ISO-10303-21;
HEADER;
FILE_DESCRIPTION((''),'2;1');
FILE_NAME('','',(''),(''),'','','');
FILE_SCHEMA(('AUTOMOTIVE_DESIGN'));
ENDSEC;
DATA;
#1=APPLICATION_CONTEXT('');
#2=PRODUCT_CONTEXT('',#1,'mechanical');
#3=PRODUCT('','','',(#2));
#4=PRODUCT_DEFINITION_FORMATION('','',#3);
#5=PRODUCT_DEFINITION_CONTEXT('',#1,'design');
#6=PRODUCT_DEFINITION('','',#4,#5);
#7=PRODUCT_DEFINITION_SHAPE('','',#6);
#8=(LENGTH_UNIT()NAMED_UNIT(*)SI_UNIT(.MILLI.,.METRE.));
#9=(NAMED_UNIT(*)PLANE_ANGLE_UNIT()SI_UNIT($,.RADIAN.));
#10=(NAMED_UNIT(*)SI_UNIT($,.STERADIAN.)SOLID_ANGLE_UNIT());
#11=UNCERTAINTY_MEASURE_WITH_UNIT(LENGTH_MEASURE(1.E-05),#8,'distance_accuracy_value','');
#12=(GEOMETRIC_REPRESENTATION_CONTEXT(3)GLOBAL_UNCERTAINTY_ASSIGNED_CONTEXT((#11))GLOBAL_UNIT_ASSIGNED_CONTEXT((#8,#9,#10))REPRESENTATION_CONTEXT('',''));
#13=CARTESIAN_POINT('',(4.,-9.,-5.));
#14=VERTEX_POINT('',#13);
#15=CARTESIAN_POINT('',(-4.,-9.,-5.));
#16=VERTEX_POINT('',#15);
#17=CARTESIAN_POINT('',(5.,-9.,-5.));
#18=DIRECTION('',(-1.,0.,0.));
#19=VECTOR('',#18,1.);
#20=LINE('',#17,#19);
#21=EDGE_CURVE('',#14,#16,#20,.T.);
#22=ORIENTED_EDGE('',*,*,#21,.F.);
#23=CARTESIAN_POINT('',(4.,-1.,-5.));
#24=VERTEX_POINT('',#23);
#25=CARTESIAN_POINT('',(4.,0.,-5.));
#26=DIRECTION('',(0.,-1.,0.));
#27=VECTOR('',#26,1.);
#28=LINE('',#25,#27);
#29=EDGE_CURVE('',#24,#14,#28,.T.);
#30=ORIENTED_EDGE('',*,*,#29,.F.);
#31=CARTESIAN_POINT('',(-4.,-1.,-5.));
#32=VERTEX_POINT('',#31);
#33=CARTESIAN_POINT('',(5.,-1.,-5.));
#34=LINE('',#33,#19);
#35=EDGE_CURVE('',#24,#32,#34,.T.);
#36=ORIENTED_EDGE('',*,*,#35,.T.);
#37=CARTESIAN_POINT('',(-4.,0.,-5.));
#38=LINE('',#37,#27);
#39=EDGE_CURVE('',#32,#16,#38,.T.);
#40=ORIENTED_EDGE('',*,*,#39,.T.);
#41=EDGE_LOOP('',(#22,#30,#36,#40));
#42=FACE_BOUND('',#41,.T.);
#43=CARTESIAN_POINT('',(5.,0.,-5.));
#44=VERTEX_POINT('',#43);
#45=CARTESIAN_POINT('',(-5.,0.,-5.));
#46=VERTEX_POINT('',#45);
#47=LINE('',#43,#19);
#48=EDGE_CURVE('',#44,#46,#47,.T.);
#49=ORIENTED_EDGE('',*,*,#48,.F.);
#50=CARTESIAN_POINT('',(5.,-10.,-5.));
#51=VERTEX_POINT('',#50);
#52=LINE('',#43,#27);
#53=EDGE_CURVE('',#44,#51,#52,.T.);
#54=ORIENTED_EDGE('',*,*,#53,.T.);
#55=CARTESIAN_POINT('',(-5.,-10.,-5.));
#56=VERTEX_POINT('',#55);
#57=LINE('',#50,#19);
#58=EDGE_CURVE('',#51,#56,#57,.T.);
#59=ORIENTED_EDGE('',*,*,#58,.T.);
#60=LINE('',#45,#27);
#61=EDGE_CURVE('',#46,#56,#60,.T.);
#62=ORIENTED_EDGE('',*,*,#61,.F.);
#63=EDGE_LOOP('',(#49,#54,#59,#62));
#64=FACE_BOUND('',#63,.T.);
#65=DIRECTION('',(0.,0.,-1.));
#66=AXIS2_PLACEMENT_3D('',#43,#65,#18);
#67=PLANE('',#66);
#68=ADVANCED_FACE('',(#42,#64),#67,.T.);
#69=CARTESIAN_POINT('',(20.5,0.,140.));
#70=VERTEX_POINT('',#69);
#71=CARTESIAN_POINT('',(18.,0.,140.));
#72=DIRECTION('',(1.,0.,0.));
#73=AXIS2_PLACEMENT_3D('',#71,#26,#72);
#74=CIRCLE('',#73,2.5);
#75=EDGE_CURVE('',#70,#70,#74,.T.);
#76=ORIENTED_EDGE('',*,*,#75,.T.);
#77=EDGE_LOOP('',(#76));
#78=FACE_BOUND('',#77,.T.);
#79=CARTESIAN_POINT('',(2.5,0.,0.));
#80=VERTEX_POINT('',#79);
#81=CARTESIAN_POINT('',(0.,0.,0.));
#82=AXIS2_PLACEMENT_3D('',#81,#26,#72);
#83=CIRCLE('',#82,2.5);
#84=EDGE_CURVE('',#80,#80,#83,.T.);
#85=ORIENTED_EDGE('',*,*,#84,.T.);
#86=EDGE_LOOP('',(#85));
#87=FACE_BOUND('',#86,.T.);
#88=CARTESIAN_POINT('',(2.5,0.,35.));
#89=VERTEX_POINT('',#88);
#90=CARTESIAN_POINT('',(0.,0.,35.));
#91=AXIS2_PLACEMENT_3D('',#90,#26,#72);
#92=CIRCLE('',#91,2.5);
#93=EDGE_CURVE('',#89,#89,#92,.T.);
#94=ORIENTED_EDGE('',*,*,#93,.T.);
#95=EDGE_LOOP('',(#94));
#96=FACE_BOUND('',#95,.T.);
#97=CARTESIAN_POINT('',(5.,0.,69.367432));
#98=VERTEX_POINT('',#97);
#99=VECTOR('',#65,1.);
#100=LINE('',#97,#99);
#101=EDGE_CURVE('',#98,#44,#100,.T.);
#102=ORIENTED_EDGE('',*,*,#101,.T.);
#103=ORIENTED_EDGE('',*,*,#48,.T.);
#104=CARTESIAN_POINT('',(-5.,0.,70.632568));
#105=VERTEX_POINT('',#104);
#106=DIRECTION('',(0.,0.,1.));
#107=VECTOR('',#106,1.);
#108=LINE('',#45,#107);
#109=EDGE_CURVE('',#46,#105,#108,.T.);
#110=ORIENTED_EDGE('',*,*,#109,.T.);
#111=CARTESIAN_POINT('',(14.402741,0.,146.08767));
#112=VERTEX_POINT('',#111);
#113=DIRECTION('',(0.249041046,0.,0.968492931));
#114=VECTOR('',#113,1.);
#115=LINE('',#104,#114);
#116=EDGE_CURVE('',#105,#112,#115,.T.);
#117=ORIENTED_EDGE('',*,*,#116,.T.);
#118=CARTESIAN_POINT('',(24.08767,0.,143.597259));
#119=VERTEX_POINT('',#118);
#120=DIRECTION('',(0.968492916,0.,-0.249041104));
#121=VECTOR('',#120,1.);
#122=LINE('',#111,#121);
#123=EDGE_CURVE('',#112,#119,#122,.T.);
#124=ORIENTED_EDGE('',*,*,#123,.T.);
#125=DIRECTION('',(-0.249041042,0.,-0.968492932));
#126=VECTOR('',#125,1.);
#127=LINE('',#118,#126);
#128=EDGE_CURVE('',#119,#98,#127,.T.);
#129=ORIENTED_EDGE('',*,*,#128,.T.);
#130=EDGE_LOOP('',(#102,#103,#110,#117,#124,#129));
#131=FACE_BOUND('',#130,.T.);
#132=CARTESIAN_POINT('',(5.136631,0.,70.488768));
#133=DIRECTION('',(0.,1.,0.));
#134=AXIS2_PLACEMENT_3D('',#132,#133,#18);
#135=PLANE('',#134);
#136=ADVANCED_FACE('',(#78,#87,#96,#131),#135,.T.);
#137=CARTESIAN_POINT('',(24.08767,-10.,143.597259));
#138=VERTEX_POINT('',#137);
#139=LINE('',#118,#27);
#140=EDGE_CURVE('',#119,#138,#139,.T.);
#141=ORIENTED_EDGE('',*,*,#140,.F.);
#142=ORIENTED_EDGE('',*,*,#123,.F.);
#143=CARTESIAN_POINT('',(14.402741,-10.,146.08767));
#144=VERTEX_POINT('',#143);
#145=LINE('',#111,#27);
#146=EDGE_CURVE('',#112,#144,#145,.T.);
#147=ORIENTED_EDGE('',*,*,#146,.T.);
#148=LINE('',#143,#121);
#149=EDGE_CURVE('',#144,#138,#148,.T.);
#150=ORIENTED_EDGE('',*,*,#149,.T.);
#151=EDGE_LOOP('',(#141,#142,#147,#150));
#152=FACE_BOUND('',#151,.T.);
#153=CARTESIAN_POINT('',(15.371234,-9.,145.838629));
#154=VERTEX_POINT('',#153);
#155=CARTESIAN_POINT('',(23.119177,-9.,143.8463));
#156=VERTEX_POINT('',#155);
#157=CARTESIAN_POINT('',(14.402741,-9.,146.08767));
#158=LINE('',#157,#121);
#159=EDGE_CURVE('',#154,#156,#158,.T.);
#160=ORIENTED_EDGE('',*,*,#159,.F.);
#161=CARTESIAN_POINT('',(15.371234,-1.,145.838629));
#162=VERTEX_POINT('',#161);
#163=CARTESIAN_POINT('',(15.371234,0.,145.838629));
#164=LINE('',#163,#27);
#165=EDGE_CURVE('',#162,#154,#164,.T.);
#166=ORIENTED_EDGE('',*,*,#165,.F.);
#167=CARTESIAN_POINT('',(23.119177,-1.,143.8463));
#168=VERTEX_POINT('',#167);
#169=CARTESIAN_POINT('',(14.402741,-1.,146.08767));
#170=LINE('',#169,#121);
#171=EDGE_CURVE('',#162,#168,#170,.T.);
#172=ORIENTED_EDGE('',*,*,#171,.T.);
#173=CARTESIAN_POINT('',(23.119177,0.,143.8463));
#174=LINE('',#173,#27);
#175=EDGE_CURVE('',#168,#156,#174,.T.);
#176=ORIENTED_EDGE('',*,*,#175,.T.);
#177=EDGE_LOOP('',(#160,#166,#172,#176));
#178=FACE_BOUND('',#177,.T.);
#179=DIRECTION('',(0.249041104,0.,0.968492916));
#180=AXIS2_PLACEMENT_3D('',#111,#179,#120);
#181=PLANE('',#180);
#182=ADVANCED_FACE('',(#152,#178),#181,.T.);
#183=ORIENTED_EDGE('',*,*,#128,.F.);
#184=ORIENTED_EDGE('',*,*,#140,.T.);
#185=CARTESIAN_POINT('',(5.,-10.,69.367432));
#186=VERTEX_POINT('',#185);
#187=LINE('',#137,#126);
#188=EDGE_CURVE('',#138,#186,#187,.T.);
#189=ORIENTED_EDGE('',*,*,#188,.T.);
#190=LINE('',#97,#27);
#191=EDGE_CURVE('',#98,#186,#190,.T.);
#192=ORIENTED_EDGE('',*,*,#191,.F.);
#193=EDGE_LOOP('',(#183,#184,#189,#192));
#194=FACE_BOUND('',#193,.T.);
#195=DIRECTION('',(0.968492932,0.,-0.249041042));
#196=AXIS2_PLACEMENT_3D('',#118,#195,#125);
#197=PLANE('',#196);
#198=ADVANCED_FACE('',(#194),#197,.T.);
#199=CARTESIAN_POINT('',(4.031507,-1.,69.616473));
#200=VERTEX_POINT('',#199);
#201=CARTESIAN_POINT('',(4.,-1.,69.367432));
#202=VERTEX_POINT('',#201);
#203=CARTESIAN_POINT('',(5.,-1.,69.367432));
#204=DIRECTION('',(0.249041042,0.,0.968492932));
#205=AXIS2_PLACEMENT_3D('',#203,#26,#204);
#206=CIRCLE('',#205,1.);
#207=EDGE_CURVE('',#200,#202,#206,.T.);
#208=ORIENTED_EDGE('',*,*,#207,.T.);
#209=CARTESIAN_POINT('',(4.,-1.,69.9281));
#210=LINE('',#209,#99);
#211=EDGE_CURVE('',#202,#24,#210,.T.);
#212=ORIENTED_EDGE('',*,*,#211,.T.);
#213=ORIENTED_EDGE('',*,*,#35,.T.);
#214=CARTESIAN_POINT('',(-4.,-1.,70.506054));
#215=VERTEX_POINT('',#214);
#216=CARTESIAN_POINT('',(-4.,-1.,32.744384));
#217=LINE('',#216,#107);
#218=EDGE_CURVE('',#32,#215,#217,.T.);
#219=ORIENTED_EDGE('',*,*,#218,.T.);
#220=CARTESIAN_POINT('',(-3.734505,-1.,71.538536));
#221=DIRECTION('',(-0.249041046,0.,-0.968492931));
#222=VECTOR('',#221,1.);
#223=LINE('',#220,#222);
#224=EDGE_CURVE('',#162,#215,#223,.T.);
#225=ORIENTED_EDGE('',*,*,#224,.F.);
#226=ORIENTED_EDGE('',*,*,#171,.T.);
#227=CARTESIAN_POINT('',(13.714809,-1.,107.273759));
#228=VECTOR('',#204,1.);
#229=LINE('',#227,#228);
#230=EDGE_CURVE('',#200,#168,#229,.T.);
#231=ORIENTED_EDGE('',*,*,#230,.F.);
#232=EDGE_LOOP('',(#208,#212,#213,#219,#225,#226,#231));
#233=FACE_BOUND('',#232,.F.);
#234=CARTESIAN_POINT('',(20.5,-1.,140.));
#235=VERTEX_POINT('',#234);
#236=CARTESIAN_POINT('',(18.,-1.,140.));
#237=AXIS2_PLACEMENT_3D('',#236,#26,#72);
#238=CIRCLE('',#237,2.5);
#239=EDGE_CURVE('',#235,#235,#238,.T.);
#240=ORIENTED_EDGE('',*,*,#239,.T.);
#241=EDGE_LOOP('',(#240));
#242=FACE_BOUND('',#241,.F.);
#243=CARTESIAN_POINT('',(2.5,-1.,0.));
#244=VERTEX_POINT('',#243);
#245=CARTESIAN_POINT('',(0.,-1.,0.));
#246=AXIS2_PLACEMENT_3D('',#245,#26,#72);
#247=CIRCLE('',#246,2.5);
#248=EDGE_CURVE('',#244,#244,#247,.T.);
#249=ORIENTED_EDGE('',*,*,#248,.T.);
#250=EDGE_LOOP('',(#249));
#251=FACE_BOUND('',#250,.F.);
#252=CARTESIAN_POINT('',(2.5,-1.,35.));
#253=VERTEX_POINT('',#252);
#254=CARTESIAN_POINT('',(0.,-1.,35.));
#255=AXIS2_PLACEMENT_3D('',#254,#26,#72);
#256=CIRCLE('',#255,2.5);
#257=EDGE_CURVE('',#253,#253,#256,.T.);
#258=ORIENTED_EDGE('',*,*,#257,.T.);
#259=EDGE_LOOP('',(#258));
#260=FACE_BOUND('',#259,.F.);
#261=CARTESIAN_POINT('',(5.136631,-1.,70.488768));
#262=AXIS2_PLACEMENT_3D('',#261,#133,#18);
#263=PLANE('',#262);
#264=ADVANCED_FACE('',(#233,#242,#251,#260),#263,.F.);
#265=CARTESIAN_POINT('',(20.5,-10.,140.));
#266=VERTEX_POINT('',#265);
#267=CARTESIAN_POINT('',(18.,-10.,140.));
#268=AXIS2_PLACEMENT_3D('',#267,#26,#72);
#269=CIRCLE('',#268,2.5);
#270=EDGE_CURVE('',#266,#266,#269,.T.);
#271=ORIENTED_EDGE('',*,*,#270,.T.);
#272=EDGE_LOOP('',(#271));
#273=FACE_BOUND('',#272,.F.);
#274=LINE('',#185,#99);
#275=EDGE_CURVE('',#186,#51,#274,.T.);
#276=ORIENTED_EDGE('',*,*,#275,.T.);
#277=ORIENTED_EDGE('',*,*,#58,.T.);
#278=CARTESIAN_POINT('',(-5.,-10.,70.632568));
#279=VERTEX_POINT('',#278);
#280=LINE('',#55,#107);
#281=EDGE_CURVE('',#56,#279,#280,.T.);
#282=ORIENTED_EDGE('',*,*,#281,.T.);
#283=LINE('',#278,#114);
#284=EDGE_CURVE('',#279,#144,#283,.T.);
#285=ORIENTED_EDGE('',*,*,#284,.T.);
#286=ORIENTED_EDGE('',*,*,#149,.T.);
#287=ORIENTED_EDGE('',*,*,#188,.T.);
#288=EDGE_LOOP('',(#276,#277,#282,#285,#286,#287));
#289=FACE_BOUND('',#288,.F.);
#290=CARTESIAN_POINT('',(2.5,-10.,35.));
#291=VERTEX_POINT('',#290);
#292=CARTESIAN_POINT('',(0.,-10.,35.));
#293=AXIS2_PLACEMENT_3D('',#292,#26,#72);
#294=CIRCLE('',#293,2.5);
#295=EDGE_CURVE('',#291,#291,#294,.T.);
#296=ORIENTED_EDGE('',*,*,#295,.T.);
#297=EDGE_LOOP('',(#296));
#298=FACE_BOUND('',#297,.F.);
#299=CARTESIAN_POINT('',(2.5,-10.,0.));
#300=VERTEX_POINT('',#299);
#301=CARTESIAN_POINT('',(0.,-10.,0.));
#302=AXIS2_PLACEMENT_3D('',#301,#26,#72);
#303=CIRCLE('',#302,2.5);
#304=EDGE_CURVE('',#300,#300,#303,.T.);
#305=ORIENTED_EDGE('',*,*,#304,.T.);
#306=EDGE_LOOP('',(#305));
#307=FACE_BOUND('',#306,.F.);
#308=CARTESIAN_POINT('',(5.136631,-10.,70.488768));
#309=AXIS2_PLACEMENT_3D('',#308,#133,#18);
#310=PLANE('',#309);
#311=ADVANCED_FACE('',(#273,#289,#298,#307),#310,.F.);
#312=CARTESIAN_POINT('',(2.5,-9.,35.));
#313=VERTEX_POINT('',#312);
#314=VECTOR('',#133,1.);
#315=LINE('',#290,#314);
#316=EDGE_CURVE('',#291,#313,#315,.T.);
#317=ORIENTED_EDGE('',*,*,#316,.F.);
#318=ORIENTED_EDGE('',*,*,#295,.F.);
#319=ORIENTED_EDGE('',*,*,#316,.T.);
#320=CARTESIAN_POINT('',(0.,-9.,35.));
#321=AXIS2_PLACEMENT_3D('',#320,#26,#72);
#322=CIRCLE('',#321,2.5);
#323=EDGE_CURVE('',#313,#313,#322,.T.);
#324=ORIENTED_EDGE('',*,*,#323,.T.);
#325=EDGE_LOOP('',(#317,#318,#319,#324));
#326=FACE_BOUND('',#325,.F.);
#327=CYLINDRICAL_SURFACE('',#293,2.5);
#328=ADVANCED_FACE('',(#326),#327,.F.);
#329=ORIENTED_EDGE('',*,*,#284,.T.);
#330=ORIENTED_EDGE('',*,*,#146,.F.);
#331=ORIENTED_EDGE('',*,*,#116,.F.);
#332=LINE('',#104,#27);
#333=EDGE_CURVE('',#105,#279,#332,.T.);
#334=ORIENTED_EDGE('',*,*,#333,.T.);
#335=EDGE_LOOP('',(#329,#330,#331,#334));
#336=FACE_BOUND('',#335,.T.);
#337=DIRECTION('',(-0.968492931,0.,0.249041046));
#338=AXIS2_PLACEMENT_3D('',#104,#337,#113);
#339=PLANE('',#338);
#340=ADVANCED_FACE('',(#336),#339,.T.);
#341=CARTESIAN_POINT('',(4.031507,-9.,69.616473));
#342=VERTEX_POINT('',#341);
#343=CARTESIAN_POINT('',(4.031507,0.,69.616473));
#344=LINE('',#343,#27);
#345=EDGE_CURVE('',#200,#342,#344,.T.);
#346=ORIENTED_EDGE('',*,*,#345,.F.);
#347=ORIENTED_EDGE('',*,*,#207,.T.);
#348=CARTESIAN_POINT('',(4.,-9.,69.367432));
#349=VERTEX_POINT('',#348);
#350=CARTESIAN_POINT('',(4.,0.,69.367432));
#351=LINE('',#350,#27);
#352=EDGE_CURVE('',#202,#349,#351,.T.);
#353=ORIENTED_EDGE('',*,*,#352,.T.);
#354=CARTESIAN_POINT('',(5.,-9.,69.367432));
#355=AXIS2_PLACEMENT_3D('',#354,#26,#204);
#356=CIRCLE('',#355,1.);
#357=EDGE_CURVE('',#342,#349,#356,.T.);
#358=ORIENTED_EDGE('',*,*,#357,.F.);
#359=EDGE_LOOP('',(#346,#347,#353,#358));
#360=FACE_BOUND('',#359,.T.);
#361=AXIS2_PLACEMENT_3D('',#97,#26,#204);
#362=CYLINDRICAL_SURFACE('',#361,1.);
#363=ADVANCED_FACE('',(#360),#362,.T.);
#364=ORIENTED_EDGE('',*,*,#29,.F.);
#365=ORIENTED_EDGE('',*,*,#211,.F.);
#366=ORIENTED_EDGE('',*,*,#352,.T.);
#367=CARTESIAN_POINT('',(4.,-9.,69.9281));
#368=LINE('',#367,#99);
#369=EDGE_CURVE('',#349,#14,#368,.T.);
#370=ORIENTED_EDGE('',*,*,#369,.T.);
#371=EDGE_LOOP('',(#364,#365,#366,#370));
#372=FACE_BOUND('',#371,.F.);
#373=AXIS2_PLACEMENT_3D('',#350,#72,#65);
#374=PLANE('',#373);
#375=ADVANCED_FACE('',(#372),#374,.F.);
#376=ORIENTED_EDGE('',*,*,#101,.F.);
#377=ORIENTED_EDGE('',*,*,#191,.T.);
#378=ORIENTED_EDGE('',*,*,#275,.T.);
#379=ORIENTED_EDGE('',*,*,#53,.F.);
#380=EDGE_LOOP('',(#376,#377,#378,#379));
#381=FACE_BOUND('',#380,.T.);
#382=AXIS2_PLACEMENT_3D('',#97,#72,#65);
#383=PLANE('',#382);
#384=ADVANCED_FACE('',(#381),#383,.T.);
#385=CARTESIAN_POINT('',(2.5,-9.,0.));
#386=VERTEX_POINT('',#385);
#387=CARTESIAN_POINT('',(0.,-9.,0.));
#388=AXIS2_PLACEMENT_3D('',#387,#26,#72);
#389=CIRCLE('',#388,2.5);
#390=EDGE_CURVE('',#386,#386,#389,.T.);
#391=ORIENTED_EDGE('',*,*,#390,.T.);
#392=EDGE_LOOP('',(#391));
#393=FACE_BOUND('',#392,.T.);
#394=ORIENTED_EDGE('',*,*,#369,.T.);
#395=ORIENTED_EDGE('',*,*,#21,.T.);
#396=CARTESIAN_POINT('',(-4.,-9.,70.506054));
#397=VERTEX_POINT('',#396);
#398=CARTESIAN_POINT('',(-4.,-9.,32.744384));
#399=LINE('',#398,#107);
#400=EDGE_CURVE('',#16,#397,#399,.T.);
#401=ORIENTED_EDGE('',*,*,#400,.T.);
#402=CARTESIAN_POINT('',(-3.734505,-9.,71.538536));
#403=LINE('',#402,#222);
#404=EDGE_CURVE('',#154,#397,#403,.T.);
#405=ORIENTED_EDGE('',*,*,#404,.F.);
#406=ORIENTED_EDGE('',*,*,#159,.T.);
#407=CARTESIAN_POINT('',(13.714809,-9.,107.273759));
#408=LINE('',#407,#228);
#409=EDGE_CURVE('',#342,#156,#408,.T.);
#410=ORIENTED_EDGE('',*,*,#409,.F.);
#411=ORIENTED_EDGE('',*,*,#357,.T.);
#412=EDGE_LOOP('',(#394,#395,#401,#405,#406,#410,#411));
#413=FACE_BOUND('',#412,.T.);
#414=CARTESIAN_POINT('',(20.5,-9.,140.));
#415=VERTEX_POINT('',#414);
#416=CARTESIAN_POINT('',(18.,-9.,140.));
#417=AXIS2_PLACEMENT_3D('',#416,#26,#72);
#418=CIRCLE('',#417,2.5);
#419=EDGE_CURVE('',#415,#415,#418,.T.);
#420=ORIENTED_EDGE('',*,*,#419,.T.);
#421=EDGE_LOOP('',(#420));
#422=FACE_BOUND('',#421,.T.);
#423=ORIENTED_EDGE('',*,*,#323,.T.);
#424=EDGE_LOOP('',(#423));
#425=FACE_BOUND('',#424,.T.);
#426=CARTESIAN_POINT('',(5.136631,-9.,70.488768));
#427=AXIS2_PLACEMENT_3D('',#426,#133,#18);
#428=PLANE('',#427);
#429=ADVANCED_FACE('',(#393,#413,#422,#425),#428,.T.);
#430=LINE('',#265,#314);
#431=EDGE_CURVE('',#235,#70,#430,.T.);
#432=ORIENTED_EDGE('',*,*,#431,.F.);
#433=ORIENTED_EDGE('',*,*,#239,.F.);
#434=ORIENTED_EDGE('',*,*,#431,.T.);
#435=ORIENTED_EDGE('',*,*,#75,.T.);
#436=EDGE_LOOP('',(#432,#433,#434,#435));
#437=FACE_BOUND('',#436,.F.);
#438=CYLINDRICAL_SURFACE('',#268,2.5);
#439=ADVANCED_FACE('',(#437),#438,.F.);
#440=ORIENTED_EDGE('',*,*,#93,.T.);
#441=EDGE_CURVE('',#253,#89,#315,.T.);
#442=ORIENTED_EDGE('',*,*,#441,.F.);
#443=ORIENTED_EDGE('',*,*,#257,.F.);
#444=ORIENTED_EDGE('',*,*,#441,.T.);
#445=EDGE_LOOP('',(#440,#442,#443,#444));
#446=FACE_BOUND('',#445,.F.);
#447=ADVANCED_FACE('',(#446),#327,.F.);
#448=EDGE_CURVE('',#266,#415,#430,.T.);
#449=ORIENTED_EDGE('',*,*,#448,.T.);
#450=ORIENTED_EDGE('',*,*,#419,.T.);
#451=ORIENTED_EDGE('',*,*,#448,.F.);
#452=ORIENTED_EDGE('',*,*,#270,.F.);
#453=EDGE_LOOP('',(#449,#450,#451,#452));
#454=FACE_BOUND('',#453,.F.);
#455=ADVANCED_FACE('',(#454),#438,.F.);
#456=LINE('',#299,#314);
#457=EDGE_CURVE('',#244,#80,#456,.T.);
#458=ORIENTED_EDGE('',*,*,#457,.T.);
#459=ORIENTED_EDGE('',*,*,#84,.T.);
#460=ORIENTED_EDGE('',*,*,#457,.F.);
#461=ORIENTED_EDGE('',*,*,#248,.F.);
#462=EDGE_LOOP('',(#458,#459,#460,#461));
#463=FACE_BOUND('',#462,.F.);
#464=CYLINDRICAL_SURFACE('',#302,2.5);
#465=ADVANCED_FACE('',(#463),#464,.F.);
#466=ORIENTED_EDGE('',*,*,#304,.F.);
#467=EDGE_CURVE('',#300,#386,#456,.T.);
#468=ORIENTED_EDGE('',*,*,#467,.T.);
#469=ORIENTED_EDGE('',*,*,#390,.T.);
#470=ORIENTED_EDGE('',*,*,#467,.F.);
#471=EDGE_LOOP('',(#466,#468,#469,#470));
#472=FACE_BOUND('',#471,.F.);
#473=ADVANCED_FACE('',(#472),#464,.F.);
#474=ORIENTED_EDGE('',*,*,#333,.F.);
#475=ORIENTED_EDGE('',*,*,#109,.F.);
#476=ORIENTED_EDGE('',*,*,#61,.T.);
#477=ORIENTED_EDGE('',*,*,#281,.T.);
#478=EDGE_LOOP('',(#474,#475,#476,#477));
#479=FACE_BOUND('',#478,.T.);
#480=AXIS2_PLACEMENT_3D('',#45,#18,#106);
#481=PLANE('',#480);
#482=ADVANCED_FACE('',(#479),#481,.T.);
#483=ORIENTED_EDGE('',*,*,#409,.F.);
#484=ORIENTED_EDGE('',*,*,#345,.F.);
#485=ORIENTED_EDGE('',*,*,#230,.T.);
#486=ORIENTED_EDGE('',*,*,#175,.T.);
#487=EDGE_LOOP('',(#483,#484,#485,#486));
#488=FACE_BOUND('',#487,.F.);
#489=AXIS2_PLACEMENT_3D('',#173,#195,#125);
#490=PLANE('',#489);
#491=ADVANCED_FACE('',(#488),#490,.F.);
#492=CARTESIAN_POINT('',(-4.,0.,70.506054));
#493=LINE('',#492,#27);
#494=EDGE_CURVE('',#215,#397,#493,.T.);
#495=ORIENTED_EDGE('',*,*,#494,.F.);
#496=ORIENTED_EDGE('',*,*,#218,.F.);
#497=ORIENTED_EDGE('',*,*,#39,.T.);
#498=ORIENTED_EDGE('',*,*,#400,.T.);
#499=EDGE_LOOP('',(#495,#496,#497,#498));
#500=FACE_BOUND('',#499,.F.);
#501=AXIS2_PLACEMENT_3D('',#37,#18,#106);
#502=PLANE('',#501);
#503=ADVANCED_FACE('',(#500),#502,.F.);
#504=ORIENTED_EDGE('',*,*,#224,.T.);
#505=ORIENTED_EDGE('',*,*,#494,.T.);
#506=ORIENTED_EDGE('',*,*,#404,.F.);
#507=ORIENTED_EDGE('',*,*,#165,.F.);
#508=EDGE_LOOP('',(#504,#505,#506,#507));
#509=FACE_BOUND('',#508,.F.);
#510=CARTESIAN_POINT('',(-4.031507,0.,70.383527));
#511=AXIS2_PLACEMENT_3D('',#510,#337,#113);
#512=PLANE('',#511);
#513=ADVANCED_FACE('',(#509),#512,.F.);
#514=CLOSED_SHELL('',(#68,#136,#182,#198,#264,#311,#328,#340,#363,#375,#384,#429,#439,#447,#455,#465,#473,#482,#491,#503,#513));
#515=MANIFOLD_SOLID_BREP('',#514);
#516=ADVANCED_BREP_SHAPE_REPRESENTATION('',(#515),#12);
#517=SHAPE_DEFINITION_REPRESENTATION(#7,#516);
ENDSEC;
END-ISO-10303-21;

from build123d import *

# Parameters (mm, degrees)
PAD_DEPTH    = 10
THICKNESS_T  = -1
SKETCH001_R  = 2.5
POCKET_DEPTH = 10.001


with BuildPart() as part:
    # Sketch → Pad (new body)
    with BuildSketch(Plane.XZ):
        Polygon((-5, -5), (-5, 70.632568), (14.402741, 146.08767), (24.08767, 143.597259), (5, 69.367432), (5, -5), align=None)
    extrude(amount=PAD_DEPTH)

    # Thickness
    thickness_openings = [part.faces().sort_by_distance(p)[0] for p in [
        (19.245205, -5, 144.842465),
        (0, -5, -5),
    ]]
    offset(amount=THICKNESS_T, openings=thickness_openings)

    # Sketch001 (on Face6 of Thickness) → Pocket (cut, through all)
    with BuildSketch(Plane.XZ.offset(10)):
        with Locations((18, 140)):
            Circle(SKETCH001_R)
        Circle(SKETCH001_R)
        with Locations((0, 35)):
            Circle(SKETCH001_R)
    extrude(amount=-POCKET_DEPTH, mode=Mode.SUBTRACT)


solid = part.part
